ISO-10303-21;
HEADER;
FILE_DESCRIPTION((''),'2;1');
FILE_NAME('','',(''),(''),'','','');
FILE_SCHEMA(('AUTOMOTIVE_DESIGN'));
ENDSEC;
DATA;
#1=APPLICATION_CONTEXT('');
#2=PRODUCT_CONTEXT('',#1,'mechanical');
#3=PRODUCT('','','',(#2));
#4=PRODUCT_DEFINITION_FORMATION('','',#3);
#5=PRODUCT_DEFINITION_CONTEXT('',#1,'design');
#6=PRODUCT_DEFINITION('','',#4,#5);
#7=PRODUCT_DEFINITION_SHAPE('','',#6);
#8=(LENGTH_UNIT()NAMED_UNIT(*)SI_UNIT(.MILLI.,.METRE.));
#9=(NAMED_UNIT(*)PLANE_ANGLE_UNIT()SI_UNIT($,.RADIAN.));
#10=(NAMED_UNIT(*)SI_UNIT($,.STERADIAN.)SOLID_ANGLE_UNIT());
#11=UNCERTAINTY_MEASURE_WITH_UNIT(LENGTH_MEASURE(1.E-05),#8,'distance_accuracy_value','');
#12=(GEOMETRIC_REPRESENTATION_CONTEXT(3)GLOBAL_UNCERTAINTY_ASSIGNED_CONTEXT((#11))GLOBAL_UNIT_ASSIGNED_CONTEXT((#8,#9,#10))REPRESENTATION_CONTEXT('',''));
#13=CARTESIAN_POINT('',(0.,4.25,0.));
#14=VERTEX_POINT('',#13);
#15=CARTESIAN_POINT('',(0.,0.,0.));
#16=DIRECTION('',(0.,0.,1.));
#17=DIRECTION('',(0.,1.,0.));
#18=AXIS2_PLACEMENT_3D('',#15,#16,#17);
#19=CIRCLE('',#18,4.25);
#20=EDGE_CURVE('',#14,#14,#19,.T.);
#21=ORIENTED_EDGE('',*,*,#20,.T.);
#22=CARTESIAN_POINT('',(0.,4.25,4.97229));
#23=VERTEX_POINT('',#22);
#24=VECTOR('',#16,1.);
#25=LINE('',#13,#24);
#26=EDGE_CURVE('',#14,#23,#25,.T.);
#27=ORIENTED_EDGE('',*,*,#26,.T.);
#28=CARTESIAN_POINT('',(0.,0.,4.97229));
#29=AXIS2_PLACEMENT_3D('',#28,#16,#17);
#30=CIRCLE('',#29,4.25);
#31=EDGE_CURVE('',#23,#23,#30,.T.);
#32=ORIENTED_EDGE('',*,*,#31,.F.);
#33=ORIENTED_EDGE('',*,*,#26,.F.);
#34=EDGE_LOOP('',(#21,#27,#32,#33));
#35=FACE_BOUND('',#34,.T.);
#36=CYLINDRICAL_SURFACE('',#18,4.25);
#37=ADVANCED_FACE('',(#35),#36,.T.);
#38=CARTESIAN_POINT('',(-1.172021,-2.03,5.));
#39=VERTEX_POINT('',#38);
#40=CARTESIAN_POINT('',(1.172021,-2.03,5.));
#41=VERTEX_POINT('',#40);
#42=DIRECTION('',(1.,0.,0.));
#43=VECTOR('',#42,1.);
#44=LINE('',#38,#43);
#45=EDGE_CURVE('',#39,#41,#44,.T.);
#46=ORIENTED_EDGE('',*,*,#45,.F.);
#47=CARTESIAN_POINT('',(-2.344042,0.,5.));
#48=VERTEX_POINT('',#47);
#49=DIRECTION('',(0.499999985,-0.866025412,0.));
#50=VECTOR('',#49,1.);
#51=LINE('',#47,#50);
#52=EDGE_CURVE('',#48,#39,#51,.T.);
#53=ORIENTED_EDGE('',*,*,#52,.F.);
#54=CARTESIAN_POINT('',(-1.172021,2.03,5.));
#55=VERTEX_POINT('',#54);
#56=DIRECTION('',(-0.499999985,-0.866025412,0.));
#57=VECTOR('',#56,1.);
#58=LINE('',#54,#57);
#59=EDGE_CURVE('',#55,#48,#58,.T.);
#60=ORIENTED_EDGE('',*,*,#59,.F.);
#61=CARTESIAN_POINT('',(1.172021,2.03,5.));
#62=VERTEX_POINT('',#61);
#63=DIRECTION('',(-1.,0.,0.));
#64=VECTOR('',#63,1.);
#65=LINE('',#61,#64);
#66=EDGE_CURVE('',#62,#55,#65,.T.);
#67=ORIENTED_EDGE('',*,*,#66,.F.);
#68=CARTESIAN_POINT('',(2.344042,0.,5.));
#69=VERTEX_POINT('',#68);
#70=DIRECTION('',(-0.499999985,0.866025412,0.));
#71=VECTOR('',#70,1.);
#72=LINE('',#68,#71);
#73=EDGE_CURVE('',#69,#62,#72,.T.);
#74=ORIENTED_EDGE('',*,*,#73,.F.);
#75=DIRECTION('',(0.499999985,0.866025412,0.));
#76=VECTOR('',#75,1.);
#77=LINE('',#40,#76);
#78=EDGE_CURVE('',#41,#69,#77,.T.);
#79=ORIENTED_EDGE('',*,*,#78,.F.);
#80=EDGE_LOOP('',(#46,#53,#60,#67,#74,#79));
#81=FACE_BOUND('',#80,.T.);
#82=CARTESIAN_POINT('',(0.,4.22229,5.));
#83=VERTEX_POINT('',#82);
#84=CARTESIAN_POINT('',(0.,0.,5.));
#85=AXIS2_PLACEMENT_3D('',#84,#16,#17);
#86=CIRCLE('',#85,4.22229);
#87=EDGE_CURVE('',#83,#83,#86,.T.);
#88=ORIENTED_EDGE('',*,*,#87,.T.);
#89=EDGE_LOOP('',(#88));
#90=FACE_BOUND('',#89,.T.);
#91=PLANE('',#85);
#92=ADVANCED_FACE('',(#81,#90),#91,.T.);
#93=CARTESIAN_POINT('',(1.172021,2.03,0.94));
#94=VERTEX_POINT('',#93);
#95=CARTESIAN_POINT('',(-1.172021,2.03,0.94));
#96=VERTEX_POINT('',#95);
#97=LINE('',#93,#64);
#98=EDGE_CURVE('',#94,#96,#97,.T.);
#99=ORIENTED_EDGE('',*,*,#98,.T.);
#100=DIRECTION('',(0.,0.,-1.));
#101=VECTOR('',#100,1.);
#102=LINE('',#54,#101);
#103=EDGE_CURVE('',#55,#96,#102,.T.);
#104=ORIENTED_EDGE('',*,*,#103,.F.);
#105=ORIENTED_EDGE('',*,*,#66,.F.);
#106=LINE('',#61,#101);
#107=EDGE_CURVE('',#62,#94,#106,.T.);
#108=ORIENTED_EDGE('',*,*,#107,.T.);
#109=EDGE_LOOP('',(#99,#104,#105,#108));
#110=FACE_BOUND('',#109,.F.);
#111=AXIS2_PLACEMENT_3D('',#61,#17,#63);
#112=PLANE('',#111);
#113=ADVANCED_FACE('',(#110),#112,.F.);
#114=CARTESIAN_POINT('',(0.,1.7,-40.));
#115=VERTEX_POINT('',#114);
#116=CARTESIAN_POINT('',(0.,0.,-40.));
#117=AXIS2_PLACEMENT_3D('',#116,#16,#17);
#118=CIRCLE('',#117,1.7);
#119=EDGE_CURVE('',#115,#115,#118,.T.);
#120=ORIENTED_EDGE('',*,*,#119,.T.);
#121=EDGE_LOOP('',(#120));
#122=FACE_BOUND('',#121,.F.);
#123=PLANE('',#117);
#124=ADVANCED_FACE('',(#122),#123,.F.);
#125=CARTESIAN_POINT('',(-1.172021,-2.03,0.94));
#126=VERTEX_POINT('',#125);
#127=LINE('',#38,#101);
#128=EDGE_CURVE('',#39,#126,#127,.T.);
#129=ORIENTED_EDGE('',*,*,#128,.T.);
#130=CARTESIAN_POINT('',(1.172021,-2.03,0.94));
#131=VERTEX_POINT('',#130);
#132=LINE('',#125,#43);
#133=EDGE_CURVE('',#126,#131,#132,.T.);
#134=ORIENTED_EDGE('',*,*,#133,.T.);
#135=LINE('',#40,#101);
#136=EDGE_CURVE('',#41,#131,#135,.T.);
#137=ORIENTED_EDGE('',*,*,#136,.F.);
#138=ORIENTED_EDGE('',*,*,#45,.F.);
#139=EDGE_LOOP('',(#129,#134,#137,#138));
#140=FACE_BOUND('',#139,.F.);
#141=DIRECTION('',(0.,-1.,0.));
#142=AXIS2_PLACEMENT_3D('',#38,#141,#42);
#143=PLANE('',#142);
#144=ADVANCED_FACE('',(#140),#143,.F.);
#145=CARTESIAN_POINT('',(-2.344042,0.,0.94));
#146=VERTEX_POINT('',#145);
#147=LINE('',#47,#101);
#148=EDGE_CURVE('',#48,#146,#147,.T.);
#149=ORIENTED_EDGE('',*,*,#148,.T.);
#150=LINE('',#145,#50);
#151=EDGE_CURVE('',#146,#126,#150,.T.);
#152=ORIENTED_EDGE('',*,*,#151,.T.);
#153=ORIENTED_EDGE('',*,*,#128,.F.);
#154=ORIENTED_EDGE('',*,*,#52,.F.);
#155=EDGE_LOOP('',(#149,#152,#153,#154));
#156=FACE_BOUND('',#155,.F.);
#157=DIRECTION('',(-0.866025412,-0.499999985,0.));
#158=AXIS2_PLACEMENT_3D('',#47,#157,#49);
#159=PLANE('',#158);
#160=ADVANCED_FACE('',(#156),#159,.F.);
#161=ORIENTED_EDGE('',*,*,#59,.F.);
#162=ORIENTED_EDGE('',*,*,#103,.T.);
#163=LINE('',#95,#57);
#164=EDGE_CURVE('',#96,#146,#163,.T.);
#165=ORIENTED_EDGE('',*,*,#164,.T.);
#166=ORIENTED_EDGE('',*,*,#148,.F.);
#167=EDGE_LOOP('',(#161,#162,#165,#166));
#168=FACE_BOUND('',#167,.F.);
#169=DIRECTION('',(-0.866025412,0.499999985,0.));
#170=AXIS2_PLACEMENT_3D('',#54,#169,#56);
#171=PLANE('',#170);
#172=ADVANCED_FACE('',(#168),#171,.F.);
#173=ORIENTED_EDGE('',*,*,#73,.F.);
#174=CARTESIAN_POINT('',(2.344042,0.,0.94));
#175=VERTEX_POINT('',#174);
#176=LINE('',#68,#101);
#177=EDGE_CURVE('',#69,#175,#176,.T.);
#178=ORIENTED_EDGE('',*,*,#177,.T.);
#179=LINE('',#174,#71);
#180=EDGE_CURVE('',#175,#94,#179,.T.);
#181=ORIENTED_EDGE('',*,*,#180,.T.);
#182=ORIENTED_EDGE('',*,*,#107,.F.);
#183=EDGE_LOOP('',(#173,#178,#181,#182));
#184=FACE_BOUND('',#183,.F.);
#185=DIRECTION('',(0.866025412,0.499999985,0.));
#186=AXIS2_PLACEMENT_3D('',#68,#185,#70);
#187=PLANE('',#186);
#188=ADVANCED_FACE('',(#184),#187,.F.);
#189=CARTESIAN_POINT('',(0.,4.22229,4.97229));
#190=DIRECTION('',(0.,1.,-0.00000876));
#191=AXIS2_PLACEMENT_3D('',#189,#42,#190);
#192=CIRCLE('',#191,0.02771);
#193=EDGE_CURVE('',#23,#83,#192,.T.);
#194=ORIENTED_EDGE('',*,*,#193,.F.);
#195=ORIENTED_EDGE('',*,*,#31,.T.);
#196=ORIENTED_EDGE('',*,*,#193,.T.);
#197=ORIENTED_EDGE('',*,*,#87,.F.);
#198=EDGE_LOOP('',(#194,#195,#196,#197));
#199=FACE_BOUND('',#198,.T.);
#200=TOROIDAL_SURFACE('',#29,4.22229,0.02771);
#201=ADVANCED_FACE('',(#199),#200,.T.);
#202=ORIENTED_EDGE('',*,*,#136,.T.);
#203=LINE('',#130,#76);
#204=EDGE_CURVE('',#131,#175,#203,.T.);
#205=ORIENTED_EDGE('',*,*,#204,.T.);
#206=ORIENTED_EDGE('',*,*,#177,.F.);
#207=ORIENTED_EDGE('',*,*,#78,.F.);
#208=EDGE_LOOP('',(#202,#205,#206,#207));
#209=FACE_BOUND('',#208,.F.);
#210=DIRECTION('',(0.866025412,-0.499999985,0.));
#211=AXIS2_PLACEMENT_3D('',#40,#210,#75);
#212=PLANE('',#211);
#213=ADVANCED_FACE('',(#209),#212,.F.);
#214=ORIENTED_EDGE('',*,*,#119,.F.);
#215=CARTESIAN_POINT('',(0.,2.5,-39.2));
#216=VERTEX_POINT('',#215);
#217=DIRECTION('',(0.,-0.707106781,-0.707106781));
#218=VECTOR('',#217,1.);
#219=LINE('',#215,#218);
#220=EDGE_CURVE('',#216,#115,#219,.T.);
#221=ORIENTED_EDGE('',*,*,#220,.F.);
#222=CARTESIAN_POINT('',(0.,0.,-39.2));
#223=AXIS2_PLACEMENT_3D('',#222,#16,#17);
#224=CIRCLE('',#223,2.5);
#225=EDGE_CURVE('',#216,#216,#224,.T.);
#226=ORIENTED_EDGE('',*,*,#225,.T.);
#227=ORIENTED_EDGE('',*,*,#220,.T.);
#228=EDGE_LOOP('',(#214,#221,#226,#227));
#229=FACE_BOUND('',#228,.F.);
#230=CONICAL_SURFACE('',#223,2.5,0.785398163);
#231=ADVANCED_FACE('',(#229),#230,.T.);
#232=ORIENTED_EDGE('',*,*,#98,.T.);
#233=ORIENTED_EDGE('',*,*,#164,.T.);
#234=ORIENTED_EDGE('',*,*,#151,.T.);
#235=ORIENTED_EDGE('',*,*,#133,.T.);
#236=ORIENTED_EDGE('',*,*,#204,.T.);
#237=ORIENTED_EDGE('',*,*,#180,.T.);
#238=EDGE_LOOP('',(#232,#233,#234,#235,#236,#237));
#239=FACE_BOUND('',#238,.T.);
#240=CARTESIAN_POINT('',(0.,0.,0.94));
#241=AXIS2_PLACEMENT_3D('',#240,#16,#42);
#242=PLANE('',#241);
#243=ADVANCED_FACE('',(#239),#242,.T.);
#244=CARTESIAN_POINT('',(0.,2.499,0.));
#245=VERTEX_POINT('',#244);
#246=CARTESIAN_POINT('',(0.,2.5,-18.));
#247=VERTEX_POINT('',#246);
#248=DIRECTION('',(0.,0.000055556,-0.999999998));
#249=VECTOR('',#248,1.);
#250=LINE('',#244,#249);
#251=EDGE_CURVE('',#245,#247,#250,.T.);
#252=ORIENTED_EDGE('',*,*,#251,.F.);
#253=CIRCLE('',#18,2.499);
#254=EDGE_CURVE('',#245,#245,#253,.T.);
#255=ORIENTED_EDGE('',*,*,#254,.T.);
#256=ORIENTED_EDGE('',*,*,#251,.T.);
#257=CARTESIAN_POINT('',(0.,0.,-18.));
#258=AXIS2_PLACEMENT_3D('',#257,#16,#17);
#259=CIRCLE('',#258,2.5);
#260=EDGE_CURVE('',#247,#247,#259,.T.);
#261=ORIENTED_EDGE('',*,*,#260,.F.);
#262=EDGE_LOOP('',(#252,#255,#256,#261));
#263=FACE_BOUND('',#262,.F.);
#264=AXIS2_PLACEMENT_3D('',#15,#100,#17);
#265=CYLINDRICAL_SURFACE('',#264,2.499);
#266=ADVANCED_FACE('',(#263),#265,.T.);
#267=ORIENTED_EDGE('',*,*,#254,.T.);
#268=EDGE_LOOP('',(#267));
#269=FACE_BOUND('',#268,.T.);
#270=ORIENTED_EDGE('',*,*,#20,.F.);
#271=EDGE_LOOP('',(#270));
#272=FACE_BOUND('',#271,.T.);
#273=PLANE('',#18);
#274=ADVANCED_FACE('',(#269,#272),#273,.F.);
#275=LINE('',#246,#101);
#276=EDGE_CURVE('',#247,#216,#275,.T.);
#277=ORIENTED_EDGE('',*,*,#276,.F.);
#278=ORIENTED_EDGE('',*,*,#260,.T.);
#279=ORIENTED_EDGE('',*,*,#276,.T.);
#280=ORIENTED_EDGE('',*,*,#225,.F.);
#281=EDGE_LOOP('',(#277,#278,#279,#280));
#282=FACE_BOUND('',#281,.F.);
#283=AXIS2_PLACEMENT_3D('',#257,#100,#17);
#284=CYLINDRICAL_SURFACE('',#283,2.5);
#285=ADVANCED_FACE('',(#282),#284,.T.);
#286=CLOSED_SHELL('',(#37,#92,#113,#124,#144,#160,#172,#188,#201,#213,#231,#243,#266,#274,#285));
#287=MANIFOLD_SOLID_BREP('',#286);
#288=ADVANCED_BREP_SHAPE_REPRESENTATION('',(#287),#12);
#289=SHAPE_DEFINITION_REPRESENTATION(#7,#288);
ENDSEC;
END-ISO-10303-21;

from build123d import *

# Parameters (mm, degrees)
POCKET_DEPTH = 4.06


with BuildPart() as part:
    # Sketch → Revolve (revolve)
    with BuildSketch(Plane.YZ):
        with BuildLine():
            Line((2.499, 0), (4.25, 0))
            Line((4.25, 0), (4.25, 4.97229))
            ThreePointArc((4.25, 4.97229), (4.241884, 4.991884), (4.22229, 5))
            Line((4.22229, 5), (0, 5))
            Line((0, -40), (0, 5))
            Line((1.7, -40), (0, -40))
            Line((2.5, -39.2), (1.7, -40))
            Line((2.5, -18), (2.5, -39.2))
            Line((2.499, 0), (2.5, -18))
        make_face()
    revolve(axis=Axis((0, 0, 0), (0, 0, 1)))

    # Sketch001 → Pocket (cut)
    with BuildSketch(Plane.XY.offset(5)):
        Polygon((2.344042, 0), (1.172021, 2.03), (-1.172021, 2.03), (-2.344042, 0), (-1.172021, -2.03), (1.172021, -2.03), align=None)
    extrude(amount=-POCKET_DEPTH, mode=Mode.SUBTRACT)


solid = part.part
